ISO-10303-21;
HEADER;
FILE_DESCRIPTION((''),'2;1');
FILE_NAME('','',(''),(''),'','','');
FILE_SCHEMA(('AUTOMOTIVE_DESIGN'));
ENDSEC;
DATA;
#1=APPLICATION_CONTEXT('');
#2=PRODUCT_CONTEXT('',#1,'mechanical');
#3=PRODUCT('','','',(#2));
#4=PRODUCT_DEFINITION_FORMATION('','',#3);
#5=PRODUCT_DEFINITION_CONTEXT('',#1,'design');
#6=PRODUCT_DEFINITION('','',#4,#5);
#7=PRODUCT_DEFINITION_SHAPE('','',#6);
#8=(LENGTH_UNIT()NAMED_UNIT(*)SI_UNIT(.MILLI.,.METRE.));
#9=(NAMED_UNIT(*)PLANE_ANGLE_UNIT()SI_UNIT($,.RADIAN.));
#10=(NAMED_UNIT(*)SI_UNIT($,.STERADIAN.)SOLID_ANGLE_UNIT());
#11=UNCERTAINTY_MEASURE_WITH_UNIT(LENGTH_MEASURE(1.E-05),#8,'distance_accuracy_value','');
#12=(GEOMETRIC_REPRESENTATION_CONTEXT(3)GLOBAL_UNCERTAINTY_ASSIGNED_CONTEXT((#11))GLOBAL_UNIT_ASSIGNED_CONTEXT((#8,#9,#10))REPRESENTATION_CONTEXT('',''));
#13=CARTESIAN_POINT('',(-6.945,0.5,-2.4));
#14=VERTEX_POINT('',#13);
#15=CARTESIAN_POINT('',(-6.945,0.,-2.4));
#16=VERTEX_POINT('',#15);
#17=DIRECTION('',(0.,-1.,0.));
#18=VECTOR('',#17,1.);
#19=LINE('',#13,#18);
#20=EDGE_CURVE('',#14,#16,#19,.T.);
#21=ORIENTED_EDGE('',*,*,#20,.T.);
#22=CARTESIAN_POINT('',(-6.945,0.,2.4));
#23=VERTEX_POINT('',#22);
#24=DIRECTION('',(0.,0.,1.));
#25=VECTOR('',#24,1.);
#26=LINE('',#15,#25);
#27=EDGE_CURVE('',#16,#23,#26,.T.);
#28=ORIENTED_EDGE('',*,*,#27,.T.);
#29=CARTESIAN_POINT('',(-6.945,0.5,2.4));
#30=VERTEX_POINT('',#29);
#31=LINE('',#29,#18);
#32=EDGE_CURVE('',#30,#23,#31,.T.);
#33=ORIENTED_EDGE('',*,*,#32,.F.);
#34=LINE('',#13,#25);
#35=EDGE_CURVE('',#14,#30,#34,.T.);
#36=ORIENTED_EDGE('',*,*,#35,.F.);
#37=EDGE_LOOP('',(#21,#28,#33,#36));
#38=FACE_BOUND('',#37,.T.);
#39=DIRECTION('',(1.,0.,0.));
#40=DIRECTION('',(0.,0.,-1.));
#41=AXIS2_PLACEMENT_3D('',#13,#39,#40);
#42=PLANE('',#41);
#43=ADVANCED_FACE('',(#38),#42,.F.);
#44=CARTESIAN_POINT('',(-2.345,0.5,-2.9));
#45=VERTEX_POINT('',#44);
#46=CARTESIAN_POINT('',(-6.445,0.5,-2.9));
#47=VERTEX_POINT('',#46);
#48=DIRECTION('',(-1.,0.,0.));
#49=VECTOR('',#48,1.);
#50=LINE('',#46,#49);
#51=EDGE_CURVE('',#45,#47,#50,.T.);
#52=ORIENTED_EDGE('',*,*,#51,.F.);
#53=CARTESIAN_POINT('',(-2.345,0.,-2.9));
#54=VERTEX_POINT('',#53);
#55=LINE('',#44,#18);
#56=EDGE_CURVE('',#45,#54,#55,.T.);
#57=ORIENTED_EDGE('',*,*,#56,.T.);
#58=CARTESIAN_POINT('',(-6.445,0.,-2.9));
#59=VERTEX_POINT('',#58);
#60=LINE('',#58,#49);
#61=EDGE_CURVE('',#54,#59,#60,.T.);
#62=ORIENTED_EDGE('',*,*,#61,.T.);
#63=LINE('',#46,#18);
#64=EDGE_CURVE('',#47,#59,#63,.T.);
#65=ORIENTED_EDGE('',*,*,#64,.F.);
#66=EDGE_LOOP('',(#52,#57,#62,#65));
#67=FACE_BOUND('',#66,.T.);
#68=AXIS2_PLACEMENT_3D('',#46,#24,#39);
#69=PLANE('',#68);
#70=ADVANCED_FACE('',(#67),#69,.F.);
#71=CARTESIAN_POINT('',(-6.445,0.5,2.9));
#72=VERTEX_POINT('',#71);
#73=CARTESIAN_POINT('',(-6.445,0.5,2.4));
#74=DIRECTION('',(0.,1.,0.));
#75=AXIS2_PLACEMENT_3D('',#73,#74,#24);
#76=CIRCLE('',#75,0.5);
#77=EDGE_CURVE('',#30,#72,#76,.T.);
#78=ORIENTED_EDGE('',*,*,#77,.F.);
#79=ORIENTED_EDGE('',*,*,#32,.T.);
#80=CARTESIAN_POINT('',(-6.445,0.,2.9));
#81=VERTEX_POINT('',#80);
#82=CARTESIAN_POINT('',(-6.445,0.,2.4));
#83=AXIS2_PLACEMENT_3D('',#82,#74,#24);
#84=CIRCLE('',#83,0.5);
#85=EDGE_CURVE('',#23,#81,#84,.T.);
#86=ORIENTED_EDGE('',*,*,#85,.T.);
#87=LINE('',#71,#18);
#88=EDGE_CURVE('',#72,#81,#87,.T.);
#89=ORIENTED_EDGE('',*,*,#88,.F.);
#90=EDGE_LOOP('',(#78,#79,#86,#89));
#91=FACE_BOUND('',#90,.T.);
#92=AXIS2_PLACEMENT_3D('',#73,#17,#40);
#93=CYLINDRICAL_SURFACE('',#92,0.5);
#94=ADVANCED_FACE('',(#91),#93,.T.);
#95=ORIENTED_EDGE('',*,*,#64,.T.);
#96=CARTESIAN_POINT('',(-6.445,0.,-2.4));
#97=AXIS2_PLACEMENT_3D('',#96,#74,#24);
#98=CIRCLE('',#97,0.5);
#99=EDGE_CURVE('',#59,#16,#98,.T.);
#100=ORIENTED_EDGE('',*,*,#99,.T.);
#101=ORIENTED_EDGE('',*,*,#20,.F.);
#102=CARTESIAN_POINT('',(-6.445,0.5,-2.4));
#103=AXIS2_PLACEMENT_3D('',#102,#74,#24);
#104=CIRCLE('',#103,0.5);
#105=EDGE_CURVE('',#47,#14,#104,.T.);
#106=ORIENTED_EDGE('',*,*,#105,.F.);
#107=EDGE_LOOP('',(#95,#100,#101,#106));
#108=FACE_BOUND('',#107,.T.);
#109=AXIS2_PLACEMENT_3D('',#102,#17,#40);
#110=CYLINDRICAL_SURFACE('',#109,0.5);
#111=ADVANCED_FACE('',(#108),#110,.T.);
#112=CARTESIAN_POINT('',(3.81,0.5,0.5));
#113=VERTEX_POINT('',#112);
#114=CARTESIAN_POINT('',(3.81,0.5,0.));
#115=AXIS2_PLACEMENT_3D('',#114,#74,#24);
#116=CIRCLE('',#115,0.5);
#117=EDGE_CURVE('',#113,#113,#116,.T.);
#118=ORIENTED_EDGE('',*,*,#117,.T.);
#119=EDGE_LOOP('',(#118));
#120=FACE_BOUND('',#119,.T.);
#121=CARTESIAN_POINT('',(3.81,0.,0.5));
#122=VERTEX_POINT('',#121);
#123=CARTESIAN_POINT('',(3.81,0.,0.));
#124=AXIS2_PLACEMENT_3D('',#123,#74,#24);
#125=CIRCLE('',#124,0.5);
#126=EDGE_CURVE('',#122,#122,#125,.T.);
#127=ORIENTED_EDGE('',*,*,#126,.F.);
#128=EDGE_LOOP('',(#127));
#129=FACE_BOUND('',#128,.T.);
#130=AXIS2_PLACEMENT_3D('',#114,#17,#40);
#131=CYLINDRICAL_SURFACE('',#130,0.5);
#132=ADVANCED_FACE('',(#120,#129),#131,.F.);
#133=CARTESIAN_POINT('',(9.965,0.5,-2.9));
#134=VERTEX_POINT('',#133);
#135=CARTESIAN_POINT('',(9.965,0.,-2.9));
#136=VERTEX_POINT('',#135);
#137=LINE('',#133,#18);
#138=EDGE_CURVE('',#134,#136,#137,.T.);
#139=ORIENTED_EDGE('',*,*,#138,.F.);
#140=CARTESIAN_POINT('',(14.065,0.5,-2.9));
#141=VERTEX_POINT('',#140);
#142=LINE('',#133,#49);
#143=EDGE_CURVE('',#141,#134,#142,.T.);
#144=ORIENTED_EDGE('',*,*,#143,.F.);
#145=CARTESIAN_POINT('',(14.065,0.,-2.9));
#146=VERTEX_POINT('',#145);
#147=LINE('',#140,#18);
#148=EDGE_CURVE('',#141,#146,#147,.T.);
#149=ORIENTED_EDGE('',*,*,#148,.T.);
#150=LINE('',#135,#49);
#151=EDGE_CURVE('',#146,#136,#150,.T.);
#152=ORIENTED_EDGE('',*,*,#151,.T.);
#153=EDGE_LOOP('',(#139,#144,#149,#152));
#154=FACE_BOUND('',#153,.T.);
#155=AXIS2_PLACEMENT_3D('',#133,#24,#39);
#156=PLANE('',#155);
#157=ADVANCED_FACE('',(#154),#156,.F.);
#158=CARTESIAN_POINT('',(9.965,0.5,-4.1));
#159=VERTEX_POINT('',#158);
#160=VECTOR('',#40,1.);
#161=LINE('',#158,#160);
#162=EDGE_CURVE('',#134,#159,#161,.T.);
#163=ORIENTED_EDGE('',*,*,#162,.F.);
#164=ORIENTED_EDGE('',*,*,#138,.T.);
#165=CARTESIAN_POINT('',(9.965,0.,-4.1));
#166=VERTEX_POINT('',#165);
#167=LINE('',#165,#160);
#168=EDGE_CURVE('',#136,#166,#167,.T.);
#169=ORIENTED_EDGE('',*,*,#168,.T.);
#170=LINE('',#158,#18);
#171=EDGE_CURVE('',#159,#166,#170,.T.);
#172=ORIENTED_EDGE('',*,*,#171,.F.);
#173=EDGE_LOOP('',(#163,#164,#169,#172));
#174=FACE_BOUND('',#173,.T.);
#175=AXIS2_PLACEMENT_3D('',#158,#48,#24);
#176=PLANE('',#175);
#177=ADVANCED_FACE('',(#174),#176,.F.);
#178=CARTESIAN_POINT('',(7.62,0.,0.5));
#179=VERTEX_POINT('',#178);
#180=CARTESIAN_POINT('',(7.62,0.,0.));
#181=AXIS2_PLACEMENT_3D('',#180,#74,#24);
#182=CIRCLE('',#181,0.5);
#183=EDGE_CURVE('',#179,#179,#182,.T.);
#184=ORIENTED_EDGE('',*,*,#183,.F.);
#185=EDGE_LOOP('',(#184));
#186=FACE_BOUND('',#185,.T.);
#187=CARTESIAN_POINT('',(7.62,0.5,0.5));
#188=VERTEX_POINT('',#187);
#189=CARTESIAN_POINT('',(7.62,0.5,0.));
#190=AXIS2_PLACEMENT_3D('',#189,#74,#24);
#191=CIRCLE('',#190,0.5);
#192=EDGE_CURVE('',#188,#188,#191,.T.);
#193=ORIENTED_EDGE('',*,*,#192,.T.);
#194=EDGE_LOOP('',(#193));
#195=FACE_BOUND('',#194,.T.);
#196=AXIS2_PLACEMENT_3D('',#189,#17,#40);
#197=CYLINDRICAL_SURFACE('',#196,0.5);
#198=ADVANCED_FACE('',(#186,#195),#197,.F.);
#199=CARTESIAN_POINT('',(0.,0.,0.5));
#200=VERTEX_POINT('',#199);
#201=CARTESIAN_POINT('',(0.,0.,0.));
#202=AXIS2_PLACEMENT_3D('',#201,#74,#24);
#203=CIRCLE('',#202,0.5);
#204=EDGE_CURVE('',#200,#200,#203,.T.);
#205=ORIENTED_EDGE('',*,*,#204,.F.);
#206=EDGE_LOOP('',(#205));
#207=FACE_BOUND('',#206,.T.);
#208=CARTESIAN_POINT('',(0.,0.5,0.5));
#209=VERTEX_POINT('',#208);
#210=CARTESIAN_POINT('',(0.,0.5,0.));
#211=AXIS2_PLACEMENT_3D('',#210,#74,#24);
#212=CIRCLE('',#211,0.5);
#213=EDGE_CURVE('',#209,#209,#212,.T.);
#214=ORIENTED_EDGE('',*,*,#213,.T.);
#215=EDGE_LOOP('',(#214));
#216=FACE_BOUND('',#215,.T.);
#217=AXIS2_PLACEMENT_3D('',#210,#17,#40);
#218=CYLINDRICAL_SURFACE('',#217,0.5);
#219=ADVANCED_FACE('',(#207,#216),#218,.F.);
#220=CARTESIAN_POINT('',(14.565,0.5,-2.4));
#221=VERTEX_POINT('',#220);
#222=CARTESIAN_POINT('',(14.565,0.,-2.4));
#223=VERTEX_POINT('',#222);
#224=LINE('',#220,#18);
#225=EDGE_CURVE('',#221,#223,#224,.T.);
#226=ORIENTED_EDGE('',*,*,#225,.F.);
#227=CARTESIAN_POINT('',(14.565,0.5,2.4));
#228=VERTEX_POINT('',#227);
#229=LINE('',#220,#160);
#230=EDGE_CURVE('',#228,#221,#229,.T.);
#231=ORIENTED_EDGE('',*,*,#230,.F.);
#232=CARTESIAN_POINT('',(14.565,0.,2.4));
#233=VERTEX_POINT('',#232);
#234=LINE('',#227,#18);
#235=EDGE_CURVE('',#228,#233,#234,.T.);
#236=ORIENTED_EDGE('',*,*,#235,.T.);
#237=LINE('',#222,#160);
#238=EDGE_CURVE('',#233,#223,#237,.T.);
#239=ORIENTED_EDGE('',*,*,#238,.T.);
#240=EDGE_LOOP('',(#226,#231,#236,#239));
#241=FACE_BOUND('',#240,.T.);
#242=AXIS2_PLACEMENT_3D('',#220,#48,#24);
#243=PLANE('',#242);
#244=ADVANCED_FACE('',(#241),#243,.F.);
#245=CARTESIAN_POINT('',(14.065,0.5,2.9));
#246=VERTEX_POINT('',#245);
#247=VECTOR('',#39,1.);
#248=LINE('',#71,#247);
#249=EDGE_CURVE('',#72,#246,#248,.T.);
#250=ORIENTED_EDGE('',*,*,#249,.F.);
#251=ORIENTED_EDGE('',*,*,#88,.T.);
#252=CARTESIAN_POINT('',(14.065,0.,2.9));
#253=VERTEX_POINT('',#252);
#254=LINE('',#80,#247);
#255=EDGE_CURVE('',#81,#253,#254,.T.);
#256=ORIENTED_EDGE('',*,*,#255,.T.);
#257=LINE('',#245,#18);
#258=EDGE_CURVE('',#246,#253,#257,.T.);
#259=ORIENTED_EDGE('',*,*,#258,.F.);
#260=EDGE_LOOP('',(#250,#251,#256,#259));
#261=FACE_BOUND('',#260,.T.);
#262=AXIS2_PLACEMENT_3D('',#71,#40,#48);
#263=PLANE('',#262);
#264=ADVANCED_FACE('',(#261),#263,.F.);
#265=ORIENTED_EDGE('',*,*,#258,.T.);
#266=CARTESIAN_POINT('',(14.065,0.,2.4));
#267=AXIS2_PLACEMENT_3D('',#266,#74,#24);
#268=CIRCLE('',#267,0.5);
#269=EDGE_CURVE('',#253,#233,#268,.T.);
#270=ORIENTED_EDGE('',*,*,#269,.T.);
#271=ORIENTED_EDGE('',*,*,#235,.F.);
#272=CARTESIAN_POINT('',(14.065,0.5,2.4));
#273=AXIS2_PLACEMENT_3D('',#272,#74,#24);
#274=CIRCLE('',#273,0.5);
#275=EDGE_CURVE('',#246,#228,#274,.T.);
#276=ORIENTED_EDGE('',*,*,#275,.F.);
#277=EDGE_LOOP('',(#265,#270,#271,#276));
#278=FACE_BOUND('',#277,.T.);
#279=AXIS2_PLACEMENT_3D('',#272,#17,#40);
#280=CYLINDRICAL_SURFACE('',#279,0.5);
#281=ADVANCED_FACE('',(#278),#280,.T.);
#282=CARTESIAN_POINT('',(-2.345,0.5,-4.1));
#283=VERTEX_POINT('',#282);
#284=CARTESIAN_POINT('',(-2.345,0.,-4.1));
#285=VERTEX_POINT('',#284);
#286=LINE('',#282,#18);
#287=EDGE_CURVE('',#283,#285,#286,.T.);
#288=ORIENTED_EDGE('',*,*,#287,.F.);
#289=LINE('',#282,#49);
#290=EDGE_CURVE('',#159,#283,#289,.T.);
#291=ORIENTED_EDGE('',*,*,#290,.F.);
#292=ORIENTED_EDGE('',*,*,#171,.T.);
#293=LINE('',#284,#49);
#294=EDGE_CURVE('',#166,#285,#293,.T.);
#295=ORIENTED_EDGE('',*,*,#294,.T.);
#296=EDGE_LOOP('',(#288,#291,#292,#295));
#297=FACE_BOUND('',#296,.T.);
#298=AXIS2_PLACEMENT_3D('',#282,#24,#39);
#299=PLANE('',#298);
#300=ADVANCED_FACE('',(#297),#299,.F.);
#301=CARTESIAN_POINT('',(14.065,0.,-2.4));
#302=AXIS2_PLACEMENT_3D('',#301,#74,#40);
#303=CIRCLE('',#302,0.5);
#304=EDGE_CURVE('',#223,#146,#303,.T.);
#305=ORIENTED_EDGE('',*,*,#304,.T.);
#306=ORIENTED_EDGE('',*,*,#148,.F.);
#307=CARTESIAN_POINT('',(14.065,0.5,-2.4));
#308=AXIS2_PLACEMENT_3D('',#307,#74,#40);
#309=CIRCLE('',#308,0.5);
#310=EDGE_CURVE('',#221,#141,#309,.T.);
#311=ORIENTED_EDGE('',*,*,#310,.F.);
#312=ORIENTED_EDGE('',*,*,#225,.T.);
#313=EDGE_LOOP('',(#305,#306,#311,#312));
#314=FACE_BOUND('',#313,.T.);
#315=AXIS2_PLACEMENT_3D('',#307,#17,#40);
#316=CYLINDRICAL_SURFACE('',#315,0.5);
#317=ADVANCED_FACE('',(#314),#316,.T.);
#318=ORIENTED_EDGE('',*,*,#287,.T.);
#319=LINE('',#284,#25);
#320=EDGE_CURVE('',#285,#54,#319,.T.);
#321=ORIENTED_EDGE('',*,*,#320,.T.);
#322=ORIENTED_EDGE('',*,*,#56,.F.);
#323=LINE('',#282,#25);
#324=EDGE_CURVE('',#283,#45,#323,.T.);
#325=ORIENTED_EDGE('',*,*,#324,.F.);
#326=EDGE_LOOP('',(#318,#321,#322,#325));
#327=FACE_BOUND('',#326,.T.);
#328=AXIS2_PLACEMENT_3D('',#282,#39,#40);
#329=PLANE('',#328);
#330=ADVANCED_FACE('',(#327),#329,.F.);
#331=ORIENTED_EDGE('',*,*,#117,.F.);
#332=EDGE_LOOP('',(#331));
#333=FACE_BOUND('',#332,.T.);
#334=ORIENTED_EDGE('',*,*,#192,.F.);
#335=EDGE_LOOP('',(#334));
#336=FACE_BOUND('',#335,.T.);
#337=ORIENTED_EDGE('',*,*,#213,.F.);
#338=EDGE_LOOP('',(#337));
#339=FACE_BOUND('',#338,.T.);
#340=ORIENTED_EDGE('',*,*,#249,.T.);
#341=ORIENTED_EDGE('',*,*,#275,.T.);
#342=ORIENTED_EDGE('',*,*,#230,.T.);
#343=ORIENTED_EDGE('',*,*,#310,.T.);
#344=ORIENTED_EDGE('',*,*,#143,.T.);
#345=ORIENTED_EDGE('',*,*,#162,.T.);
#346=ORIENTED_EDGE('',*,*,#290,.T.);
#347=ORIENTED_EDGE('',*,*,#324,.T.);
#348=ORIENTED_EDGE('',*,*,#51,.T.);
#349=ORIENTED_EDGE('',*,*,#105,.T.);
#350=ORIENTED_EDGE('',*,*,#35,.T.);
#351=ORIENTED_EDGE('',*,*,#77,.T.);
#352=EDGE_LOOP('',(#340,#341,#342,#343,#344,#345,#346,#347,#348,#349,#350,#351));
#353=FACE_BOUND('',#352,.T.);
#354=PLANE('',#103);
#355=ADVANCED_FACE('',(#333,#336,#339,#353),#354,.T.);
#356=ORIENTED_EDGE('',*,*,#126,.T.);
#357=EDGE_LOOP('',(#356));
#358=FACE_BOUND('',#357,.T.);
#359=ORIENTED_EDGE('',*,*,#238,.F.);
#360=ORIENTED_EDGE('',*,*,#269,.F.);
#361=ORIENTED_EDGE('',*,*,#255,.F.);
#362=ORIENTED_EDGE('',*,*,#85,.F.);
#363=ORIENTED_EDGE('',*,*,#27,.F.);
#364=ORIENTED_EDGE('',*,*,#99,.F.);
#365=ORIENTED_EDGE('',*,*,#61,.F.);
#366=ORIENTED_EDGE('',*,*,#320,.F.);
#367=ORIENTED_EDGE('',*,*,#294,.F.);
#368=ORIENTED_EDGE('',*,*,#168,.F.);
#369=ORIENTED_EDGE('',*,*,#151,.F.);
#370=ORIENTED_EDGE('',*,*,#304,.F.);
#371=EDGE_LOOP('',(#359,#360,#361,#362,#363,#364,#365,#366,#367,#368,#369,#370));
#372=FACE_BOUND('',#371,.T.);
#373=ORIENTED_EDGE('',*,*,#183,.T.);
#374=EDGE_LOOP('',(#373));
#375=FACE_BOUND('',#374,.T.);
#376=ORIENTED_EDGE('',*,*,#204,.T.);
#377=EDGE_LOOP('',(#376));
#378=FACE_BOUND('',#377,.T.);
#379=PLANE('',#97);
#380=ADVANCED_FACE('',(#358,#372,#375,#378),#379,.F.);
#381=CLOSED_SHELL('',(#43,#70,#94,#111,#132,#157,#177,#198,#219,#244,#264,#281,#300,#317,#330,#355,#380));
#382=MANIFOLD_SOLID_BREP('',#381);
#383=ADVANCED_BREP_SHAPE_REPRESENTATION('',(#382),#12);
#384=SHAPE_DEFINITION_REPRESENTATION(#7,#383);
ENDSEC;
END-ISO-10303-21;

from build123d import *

# Parameters (mm, degrees)
SKETCH1_R           = 0.5
BOSS_EXTRUDE1_DEPTH = 0.5


with BuildPart() as part:
    # Sketch1 → Boss-Extrude1 (new body)
    with BuildSketch(Plane(origin=(0, 0, 0), x_dir=(1, 0, 0), z_dir=(0, 1, 0))):
        with BuildLine():
            Line((9.965, 2.9), (14.065, 2.9))
            ThreePointArc((14.065, 2.9), (14.418553391, 2.753553391), (14.565, 2.4))
            Line((14.565, 2.4), (14.565, -2.4))
            ThreePointArc((14.565, -2.4), (14.418553391, -2.753553391), (14.065, -2.9))
            Line((14.065, -2.9), (-6.445, -2.9))
            ThreePointArc((-6.445, -2.9), (-6.798553391, -2.753553391), (-6.945, -2.4))
            Line((-6.945, -2.4), (-6.945, 2.4))
            ThreePointArc((-6.945, 2.4), (-6.798553391, 2.753553391), (-6.445, 2.9))
            Line((-6.445, 2.9), (-2.345, 2.9))
            Line((-2.345, 2.9), (-2.345, 4.1))
            Line((-2.345, 4.1), (9.965, 4.1))
            Line((9.965, 4.1), (9.965, 2.9))
        make_face()
        with Locations(Location((0, 0, 0), (0, 0, 270))):
            Circle(SKETCH1_R, mode=Mode.SUBTRACT)
        with Locations(Location((3.81, 0, 0), (0, 0, 270))):
            Circle(SKETCH1_R, mode=Mode.SUBTRACT)
        with Locations(Location((7.62, 0, 0), (0, 0, 270))):
            Circle(SKETCH1_R, mode=Mode.SUBTRACT)
    extrude(amount=BOSS_EXTRUDE1_DEPTH)


solid = part.part
